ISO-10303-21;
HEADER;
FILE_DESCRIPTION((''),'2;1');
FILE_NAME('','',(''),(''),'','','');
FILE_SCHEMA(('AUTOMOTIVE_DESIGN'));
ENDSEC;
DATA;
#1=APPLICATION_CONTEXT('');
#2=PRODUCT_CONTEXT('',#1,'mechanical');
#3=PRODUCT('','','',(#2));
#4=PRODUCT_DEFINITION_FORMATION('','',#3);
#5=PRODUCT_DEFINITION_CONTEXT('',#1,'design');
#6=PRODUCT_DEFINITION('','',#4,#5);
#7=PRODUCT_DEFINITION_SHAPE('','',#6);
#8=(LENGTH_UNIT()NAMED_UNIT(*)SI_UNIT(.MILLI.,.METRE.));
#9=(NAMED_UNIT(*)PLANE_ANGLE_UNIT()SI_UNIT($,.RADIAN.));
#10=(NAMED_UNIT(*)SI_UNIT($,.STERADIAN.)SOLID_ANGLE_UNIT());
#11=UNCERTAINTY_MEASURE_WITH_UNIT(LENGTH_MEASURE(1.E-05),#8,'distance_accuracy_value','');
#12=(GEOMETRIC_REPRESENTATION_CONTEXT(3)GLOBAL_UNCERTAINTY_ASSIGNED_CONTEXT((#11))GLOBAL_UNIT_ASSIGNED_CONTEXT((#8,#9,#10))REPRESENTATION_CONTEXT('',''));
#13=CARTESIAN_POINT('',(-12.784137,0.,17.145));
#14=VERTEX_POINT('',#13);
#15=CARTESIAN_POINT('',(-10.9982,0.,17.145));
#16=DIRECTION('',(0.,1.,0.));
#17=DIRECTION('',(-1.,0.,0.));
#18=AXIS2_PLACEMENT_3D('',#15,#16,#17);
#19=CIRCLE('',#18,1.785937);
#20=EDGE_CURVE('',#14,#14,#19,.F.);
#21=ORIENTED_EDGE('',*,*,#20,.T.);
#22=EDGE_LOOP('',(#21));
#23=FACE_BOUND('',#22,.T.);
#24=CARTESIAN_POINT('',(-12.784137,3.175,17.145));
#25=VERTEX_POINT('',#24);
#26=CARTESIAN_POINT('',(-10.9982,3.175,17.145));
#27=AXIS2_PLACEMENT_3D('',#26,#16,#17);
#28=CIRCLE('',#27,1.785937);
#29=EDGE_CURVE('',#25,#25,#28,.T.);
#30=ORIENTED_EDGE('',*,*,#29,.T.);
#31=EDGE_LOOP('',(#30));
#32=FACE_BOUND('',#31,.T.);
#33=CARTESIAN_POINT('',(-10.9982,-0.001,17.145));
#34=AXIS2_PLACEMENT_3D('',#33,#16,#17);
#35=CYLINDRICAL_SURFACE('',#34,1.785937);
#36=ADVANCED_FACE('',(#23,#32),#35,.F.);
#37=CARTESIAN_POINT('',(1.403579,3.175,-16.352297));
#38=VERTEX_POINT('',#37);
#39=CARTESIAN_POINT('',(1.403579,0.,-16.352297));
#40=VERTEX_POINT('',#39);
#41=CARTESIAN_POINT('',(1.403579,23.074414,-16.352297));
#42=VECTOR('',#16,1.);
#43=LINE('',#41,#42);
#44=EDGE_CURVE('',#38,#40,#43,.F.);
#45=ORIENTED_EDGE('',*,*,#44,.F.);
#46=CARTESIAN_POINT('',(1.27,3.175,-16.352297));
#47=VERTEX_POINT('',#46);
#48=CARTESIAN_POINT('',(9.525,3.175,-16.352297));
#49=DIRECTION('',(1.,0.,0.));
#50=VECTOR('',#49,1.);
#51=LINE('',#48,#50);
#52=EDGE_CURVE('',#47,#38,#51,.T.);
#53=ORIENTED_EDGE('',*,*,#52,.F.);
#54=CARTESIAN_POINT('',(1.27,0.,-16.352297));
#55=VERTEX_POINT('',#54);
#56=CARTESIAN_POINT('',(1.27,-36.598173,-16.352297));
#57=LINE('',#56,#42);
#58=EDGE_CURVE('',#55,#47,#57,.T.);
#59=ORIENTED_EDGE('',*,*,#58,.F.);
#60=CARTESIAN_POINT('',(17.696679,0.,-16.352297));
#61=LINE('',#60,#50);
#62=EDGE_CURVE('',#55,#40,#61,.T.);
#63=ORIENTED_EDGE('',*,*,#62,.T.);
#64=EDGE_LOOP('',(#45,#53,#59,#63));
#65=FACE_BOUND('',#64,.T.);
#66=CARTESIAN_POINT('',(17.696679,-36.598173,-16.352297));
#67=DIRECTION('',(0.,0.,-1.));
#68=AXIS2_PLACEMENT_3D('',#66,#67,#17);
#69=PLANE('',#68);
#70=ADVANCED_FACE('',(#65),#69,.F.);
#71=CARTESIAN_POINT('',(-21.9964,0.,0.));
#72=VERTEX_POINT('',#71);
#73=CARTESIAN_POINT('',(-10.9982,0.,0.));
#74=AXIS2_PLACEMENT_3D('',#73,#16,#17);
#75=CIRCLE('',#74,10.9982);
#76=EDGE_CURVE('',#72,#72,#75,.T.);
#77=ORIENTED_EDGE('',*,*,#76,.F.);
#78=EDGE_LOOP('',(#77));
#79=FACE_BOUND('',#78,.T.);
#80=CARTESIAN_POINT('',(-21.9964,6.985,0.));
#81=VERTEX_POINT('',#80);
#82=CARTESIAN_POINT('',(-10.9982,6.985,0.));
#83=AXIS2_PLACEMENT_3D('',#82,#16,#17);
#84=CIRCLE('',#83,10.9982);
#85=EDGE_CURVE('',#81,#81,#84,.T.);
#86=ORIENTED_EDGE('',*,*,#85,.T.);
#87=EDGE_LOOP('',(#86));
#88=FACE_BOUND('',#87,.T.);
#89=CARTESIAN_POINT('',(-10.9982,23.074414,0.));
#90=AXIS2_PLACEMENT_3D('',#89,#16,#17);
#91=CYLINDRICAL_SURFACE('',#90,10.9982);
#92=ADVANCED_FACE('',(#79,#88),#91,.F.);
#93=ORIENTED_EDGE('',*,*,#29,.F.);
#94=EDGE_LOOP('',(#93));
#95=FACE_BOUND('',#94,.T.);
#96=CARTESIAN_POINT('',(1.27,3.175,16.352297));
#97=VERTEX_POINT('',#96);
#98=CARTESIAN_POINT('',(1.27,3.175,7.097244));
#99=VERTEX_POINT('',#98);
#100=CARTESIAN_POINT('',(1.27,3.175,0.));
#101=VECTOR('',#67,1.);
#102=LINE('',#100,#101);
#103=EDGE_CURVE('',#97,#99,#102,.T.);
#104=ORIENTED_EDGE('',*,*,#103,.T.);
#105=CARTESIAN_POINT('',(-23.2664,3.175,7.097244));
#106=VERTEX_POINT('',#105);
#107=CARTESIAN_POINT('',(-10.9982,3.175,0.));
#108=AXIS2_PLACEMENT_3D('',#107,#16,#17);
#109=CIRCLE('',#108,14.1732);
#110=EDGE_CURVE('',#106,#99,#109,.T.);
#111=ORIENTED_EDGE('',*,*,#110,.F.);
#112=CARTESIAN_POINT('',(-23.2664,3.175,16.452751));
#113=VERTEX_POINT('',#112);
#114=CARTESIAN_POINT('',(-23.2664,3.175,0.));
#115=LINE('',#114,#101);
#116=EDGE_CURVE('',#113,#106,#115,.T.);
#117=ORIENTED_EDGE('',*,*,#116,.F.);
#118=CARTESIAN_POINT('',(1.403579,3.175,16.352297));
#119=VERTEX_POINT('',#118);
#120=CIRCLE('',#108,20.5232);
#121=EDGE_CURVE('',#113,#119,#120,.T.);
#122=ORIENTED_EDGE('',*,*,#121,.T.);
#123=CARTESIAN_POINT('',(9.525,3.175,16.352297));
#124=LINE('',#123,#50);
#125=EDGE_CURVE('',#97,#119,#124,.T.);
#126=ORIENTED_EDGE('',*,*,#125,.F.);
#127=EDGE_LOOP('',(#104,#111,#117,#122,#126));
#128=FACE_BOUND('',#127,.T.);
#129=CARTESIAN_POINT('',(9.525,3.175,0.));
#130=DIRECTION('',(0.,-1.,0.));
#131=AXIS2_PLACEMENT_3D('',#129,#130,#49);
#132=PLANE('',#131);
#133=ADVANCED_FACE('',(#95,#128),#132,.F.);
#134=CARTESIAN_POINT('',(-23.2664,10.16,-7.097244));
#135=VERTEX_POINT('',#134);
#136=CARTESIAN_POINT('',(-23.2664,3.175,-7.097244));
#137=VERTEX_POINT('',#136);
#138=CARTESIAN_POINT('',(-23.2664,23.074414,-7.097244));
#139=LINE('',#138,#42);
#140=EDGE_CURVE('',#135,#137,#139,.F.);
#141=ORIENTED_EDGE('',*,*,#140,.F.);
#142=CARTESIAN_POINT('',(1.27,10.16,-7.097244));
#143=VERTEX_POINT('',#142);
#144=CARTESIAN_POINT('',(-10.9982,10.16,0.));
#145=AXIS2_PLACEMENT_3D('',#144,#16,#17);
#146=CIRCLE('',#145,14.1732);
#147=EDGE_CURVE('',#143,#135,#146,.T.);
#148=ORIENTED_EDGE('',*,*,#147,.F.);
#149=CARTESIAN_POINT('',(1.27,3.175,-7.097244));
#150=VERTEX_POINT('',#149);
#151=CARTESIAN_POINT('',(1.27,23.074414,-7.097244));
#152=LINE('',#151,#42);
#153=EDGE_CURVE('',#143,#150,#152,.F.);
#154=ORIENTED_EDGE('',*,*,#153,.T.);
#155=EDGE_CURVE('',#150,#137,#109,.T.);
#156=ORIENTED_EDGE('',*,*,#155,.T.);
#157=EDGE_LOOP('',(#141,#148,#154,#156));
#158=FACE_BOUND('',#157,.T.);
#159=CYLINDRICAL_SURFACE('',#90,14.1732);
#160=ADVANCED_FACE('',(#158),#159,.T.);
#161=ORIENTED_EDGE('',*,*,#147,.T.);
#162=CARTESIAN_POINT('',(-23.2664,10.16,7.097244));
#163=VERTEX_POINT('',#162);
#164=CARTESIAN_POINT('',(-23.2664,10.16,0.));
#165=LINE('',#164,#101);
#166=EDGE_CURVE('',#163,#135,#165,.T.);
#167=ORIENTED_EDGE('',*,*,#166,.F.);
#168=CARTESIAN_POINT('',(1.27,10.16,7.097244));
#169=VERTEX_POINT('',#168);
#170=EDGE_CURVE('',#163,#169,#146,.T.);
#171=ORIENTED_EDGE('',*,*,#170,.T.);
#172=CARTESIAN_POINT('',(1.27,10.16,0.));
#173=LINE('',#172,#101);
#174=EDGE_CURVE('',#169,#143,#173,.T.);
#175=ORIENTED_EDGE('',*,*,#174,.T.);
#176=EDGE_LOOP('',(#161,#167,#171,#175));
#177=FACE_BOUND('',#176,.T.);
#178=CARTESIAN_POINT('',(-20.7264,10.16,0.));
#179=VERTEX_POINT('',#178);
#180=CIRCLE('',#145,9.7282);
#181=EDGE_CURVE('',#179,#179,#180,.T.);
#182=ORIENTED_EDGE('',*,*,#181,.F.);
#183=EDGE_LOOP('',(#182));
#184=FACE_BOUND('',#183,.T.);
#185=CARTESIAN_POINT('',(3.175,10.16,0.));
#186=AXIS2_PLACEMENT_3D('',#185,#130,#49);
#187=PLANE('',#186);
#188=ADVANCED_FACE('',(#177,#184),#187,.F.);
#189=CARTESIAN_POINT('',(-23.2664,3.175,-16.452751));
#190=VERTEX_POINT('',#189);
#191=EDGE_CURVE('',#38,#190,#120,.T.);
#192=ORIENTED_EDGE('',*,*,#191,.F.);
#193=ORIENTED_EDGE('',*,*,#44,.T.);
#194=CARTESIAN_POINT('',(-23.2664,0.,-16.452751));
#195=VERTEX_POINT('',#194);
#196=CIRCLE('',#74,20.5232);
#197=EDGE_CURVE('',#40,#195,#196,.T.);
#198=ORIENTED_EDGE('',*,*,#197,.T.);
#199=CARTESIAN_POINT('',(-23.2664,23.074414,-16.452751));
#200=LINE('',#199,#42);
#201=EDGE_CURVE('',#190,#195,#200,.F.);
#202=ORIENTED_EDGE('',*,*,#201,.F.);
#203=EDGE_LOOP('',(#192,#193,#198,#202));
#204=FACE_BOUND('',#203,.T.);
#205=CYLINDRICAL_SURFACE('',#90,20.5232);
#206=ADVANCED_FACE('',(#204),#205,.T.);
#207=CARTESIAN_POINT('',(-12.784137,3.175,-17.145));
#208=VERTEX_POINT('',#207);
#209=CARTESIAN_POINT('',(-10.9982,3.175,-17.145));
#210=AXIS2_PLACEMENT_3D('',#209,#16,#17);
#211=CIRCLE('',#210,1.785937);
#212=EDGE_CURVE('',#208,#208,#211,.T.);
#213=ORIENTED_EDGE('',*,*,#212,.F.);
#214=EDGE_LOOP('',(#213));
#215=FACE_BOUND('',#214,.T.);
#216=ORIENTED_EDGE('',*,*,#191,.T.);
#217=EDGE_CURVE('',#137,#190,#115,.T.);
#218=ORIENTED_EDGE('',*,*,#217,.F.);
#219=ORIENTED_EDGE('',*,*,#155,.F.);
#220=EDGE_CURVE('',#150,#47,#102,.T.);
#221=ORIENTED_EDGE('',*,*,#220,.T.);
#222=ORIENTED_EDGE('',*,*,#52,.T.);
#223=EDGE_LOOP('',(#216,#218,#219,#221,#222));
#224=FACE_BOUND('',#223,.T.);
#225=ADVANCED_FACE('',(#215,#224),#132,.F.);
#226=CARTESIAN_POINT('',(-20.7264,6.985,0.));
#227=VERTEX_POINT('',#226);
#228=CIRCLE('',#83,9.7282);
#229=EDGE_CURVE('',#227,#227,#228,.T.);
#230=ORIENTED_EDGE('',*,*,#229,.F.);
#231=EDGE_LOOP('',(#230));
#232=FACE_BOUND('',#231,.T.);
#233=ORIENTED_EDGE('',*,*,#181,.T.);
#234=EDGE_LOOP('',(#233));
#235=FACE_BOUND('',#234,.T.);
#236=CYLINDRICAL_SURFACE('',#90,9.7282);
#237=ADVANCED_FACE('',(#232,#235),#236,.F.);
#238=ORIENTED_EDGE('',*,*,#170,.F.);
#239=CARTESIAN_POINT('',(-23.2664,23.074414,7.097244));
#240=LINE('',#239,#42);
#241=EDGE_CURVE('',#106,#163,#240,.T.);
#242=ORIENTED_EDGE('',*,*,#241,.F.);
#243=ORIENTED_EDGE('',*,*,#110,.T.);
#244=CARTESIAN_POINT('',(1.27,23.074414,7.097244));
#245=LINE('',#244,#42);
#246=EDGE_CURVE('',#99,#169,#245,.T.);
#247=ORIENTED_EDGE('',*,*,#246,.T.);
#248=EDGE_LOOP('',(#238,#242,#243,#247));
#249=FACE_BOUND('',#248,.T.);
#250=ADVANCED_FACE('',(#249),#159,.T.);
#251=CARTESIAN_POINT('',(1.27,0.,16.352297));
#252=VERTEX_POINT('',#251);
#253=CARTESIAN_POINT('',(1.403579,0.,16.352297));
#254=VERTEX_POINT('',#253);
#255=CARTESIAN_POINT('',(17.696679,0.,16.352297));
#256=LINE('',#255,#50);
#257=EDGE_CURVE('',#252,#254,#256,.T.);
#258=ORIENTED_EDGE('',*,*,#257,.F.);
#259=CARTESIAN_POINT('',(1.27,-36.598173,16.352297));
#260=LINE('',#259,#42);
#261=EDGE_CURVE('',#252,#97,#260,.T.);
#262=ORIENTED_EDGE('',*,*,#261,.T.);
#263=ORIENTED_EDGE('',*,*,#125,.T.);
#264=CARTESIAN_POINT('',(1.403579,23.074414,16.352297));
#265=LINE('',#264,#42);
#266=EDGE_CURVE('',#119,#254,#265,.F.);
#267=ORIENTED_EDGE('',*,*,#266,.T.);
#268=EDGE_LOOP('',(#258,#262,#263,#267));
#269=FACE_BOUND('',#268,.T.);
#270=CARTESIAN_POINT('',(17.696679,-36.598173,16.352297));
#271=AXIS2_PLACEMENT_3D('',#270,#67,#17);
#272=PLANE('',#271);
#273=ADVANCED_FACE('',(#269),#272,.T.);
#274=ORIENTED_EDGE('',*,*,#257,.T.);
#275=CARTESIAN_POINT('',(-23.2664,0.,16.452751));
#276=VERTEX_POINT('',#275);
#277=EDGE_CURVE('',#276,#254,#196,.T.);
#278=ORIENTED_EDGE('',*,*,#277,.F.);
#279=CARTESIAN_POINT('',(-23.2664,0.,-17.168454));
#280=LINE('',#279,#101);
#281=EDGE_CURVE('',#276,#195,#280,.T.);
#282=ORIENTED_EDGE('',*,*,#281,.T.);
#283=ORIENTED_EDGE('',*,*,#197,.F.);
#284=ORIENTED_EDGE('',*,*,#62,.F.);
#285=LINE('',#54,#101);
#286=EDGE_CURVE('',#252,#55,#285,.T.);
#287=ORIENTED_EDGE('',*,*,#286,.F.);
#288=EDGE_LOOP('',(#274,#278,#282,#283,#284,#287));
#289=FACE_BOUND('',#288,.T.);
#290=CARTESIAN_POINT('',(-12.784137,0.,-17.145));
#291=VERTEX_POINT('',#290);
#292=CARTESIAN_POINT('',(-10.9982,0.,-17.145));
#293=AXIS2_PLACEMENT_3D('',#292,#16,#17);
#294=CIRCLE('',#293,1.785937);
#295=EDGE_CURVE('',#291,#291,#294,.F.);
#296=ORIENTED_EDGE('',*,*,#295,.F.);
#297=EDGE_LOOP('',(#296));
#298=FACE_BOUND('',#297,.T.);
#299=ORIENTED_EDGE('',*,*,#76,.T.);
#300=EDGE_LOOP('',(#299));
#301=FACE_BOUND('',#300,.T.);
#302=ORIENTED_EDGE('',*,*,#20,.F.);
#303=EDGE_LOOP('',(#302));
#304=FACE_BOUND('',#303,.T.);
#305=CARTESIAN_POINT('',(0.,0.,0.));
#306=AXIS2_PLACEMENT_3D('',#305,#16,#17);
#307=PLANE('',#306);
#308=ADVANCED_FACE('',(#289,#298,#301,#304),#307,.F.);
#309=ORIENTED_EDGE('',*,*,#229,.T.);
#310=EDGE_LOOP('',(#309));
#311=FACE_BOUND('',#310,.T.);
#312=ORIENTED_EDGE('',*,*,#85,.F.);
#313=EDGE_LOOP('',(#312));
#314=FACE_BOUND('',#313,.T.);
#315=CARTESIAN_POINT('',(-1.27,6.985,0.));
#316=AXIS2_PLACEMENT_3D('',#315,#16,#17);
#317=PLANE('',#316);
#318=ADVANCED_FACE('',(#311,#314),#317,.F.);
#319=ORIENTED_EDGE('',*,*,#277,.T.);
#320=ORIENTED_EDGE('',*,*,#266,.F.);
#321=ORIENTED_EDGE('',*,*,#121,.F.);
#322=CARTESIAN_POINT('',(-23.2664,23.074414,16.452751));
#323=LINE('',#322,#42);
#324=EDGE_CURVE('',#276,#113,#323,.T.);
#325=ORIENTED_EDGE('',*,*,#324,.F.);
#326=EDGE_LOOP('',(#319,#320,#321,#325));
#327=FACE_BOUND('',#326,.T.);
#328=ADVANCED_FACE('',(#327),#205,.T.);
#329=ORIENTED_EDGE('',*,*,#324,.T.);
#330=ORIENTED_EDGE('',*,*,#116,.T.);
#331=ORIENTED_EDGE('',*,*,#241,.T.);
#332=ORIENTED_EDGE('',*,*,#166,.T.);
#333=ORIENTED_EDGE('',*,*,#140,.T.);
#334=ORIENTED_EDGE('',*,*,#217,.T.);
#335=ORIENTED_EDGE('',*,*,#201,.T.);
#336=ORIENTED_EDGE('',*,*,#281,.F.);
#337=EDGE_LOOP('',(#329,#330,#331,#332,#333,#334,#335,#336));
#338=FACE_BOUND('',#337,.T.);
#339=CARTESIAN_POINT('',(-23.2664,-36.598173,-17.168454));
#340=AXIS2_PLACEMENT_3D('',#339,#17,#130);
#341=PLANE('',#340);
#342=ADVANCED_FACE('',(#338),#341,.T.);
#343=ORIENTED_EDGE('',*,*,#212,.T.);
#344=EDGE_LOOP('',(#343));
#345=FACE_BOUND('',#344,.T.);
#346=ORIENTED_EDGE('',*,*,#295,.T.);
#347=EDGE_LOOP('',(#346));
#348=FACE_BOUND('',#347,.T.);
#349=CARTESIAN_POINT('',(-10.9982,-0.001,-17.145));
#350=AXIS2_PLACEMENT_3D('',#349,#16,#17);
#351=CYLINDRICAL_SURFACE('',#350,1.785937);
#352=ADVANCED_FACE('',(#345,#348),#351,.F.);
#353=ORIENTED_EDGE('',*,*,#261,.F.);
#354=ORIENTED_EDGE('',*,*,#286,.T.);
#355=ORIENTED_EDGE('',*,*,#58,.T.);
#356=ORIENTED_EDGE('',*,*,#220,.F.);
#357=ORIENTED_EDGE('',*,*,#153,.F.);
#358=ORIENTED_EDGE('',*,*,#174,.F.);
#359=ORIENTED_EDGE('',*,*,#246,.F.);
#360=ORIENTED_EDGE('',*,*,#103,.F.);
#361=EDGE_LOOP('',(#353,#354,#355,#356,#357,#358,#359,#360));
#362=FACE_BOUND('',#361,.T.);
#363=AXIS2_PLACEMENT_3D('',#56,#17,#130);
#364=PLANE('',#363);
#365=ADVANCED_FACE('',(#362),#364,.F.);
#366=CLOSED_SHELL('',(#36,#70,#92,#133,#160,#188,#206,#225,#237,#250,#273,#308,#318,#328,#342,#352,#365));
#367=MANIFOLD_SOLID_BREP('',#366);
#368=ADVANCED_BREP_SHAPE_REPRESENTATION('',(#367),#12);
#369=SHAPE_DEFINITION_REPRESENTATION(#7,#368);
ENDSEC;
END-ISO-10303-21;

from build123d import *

# Parameters (mm, degrees)
CUT_EXTRUDE1_REACH = 40.962
SKETCH2_W          = 9.385810436
SKETCH2_H          = 34.336908986
SKETCH2_W_2        = 16.426678561
SKETCH2_H_2        = 32.704594128
CUT_EXTRUDE2_REACH = 33.801
SKETCH3_R          = 1.7859375


with BuildPart() as part:
    # Sketch1 → Revolve2 (revolve)
    with BuildSketch(Plane.XY, mode=Mode.PRIVATE) as revolve2_sk:
        Polygon((0, 0), (9.525, 0), (9.525, 3.175), (3.175, 3.175), (3.175, 10.16), (-1.27, 10.16), (-1.27, 6.985), (0, 6.985), align=None)
    revolve(revolve2_sk.sketch.rotate(Axis((-10.9982, 23.074413867, 0), (0, -1, 0)), 180), axis=Axis((-10.9982, 23.074413867, 0), (0, -1, 0)))

    # Cut-Extrude1: up to this face of the body (flat: up to its plane)
    cut_extrude1_end = Plane(part.part.faces().sort_by_distance((0.580483756, 0, 0))[0])
    # Sketch2 → Cut-Extrude1 (cut, up to the picked face)
    with BuildSketch(Plane(origin=(0, 10.16, 0), x_dir=(1, 0, 0), z_dir=(0, 1, 0)), mode=Mode.PRIVATE) as cut_extrude1_sk1:
        with Locations((-27.959305218, 0)):
            Rectangle(SKETCH2_W, SKETCH2_H)
    cut_extrude1_tool1 = split(extrude(cut_extrude1_sk1.sketch, amount=-CUT_EXTRUDE1_REACH, mode=Mode.PRIVATE), bisect_by=cut_extrude1_end, keep=Keep.BOTH, mode=Mode.PRIVATE)
    # Sketch2 → Cut-Extrude1 (cut, up to the picked face)
    with BuildSketch(Plane(origin=(0, 10.16, 0), x_dir=(1, 0, 0), z_dir=(0, 1, 0)), mode=Mode.PRIVATE) as cut_extrude1_sk2:
        with Locations((9.483339281, 0)):
            Rectangle(SKETCH2_W_2, SKETCH2_H_2)
    cut_extrude1_tool2 = split(extrude(cut_extrude1_sk2.sketch, amount=-CUT_EXTRUDE1_REACH, mode=Mode.PRIVATE), bisect_by=cut_extrude1_end, keep=Keep.BOTH, mode=Mode.PRIVATE)
    add(cut_extrude1_tool1.solids().sort_by(Axis((-27.959305, 10.16, 0), (0, -1, 0)))[0], mode=Mode.SUBTRACT)
    add(cut_extrude1_tool2.solids().sort_by(Axis((9.483339, 10.16, 0), (0, -1, 0)))[0], mode=Mode.SUBTRACT)

    # Sketch3 → Cut-Extrude2 (cut, up to next)
    with BuildSketch(Plane(origin=(0, 3.175, 0), x_dir=(1, 0, 0), z_dir=(0, 1, 0)), mode=Mode.PRIVATE) as cut_extrude2_sk1:
        with Locations(Location((-10.9982, 17.145, 0), (0, 0, 180))):
            Circle(SKETCH3_R)
    cut_extrude2_tool1 = extrude(cut_extrude2_sk1.sketch, amount=-CUT_EXTRUDE2_REACH, mode=Mode.PRIVATE) & part.part
    # Sketch3 → Cut-Extrude2 (cut, up to next)
    with BuildSketch(Plane(origin=(0, 3.175, 0), x_dir=(1, 0, 0), z_dir=(0, 1, 0)), mode=Mode.PRIVATE) as cut_extrude2_sk2:
        with Locations(Location((-10.9982, -17.145, 0), (0, 0, 180))):
            Circle(SKETCH3_R)
    cut_extrude2_tool2 = extrude(cut_extrude2_sk2.sketch, amount=-CUT_EXTRUDE2_REACH, mode=Mode.PRIVATE) & part.part
    add(cut_extrude2_tool1.solids().sort_by_distance((-10.9982, 3.175, -17.145))[0], mode=Mode.SUBTRACT)
    add(cut_extrude2_tool2.solids().sort_by_distance((-10.9982, 3.175, 17.145))[0], mode=Mode.SUBTRACT)


solid = part.part
